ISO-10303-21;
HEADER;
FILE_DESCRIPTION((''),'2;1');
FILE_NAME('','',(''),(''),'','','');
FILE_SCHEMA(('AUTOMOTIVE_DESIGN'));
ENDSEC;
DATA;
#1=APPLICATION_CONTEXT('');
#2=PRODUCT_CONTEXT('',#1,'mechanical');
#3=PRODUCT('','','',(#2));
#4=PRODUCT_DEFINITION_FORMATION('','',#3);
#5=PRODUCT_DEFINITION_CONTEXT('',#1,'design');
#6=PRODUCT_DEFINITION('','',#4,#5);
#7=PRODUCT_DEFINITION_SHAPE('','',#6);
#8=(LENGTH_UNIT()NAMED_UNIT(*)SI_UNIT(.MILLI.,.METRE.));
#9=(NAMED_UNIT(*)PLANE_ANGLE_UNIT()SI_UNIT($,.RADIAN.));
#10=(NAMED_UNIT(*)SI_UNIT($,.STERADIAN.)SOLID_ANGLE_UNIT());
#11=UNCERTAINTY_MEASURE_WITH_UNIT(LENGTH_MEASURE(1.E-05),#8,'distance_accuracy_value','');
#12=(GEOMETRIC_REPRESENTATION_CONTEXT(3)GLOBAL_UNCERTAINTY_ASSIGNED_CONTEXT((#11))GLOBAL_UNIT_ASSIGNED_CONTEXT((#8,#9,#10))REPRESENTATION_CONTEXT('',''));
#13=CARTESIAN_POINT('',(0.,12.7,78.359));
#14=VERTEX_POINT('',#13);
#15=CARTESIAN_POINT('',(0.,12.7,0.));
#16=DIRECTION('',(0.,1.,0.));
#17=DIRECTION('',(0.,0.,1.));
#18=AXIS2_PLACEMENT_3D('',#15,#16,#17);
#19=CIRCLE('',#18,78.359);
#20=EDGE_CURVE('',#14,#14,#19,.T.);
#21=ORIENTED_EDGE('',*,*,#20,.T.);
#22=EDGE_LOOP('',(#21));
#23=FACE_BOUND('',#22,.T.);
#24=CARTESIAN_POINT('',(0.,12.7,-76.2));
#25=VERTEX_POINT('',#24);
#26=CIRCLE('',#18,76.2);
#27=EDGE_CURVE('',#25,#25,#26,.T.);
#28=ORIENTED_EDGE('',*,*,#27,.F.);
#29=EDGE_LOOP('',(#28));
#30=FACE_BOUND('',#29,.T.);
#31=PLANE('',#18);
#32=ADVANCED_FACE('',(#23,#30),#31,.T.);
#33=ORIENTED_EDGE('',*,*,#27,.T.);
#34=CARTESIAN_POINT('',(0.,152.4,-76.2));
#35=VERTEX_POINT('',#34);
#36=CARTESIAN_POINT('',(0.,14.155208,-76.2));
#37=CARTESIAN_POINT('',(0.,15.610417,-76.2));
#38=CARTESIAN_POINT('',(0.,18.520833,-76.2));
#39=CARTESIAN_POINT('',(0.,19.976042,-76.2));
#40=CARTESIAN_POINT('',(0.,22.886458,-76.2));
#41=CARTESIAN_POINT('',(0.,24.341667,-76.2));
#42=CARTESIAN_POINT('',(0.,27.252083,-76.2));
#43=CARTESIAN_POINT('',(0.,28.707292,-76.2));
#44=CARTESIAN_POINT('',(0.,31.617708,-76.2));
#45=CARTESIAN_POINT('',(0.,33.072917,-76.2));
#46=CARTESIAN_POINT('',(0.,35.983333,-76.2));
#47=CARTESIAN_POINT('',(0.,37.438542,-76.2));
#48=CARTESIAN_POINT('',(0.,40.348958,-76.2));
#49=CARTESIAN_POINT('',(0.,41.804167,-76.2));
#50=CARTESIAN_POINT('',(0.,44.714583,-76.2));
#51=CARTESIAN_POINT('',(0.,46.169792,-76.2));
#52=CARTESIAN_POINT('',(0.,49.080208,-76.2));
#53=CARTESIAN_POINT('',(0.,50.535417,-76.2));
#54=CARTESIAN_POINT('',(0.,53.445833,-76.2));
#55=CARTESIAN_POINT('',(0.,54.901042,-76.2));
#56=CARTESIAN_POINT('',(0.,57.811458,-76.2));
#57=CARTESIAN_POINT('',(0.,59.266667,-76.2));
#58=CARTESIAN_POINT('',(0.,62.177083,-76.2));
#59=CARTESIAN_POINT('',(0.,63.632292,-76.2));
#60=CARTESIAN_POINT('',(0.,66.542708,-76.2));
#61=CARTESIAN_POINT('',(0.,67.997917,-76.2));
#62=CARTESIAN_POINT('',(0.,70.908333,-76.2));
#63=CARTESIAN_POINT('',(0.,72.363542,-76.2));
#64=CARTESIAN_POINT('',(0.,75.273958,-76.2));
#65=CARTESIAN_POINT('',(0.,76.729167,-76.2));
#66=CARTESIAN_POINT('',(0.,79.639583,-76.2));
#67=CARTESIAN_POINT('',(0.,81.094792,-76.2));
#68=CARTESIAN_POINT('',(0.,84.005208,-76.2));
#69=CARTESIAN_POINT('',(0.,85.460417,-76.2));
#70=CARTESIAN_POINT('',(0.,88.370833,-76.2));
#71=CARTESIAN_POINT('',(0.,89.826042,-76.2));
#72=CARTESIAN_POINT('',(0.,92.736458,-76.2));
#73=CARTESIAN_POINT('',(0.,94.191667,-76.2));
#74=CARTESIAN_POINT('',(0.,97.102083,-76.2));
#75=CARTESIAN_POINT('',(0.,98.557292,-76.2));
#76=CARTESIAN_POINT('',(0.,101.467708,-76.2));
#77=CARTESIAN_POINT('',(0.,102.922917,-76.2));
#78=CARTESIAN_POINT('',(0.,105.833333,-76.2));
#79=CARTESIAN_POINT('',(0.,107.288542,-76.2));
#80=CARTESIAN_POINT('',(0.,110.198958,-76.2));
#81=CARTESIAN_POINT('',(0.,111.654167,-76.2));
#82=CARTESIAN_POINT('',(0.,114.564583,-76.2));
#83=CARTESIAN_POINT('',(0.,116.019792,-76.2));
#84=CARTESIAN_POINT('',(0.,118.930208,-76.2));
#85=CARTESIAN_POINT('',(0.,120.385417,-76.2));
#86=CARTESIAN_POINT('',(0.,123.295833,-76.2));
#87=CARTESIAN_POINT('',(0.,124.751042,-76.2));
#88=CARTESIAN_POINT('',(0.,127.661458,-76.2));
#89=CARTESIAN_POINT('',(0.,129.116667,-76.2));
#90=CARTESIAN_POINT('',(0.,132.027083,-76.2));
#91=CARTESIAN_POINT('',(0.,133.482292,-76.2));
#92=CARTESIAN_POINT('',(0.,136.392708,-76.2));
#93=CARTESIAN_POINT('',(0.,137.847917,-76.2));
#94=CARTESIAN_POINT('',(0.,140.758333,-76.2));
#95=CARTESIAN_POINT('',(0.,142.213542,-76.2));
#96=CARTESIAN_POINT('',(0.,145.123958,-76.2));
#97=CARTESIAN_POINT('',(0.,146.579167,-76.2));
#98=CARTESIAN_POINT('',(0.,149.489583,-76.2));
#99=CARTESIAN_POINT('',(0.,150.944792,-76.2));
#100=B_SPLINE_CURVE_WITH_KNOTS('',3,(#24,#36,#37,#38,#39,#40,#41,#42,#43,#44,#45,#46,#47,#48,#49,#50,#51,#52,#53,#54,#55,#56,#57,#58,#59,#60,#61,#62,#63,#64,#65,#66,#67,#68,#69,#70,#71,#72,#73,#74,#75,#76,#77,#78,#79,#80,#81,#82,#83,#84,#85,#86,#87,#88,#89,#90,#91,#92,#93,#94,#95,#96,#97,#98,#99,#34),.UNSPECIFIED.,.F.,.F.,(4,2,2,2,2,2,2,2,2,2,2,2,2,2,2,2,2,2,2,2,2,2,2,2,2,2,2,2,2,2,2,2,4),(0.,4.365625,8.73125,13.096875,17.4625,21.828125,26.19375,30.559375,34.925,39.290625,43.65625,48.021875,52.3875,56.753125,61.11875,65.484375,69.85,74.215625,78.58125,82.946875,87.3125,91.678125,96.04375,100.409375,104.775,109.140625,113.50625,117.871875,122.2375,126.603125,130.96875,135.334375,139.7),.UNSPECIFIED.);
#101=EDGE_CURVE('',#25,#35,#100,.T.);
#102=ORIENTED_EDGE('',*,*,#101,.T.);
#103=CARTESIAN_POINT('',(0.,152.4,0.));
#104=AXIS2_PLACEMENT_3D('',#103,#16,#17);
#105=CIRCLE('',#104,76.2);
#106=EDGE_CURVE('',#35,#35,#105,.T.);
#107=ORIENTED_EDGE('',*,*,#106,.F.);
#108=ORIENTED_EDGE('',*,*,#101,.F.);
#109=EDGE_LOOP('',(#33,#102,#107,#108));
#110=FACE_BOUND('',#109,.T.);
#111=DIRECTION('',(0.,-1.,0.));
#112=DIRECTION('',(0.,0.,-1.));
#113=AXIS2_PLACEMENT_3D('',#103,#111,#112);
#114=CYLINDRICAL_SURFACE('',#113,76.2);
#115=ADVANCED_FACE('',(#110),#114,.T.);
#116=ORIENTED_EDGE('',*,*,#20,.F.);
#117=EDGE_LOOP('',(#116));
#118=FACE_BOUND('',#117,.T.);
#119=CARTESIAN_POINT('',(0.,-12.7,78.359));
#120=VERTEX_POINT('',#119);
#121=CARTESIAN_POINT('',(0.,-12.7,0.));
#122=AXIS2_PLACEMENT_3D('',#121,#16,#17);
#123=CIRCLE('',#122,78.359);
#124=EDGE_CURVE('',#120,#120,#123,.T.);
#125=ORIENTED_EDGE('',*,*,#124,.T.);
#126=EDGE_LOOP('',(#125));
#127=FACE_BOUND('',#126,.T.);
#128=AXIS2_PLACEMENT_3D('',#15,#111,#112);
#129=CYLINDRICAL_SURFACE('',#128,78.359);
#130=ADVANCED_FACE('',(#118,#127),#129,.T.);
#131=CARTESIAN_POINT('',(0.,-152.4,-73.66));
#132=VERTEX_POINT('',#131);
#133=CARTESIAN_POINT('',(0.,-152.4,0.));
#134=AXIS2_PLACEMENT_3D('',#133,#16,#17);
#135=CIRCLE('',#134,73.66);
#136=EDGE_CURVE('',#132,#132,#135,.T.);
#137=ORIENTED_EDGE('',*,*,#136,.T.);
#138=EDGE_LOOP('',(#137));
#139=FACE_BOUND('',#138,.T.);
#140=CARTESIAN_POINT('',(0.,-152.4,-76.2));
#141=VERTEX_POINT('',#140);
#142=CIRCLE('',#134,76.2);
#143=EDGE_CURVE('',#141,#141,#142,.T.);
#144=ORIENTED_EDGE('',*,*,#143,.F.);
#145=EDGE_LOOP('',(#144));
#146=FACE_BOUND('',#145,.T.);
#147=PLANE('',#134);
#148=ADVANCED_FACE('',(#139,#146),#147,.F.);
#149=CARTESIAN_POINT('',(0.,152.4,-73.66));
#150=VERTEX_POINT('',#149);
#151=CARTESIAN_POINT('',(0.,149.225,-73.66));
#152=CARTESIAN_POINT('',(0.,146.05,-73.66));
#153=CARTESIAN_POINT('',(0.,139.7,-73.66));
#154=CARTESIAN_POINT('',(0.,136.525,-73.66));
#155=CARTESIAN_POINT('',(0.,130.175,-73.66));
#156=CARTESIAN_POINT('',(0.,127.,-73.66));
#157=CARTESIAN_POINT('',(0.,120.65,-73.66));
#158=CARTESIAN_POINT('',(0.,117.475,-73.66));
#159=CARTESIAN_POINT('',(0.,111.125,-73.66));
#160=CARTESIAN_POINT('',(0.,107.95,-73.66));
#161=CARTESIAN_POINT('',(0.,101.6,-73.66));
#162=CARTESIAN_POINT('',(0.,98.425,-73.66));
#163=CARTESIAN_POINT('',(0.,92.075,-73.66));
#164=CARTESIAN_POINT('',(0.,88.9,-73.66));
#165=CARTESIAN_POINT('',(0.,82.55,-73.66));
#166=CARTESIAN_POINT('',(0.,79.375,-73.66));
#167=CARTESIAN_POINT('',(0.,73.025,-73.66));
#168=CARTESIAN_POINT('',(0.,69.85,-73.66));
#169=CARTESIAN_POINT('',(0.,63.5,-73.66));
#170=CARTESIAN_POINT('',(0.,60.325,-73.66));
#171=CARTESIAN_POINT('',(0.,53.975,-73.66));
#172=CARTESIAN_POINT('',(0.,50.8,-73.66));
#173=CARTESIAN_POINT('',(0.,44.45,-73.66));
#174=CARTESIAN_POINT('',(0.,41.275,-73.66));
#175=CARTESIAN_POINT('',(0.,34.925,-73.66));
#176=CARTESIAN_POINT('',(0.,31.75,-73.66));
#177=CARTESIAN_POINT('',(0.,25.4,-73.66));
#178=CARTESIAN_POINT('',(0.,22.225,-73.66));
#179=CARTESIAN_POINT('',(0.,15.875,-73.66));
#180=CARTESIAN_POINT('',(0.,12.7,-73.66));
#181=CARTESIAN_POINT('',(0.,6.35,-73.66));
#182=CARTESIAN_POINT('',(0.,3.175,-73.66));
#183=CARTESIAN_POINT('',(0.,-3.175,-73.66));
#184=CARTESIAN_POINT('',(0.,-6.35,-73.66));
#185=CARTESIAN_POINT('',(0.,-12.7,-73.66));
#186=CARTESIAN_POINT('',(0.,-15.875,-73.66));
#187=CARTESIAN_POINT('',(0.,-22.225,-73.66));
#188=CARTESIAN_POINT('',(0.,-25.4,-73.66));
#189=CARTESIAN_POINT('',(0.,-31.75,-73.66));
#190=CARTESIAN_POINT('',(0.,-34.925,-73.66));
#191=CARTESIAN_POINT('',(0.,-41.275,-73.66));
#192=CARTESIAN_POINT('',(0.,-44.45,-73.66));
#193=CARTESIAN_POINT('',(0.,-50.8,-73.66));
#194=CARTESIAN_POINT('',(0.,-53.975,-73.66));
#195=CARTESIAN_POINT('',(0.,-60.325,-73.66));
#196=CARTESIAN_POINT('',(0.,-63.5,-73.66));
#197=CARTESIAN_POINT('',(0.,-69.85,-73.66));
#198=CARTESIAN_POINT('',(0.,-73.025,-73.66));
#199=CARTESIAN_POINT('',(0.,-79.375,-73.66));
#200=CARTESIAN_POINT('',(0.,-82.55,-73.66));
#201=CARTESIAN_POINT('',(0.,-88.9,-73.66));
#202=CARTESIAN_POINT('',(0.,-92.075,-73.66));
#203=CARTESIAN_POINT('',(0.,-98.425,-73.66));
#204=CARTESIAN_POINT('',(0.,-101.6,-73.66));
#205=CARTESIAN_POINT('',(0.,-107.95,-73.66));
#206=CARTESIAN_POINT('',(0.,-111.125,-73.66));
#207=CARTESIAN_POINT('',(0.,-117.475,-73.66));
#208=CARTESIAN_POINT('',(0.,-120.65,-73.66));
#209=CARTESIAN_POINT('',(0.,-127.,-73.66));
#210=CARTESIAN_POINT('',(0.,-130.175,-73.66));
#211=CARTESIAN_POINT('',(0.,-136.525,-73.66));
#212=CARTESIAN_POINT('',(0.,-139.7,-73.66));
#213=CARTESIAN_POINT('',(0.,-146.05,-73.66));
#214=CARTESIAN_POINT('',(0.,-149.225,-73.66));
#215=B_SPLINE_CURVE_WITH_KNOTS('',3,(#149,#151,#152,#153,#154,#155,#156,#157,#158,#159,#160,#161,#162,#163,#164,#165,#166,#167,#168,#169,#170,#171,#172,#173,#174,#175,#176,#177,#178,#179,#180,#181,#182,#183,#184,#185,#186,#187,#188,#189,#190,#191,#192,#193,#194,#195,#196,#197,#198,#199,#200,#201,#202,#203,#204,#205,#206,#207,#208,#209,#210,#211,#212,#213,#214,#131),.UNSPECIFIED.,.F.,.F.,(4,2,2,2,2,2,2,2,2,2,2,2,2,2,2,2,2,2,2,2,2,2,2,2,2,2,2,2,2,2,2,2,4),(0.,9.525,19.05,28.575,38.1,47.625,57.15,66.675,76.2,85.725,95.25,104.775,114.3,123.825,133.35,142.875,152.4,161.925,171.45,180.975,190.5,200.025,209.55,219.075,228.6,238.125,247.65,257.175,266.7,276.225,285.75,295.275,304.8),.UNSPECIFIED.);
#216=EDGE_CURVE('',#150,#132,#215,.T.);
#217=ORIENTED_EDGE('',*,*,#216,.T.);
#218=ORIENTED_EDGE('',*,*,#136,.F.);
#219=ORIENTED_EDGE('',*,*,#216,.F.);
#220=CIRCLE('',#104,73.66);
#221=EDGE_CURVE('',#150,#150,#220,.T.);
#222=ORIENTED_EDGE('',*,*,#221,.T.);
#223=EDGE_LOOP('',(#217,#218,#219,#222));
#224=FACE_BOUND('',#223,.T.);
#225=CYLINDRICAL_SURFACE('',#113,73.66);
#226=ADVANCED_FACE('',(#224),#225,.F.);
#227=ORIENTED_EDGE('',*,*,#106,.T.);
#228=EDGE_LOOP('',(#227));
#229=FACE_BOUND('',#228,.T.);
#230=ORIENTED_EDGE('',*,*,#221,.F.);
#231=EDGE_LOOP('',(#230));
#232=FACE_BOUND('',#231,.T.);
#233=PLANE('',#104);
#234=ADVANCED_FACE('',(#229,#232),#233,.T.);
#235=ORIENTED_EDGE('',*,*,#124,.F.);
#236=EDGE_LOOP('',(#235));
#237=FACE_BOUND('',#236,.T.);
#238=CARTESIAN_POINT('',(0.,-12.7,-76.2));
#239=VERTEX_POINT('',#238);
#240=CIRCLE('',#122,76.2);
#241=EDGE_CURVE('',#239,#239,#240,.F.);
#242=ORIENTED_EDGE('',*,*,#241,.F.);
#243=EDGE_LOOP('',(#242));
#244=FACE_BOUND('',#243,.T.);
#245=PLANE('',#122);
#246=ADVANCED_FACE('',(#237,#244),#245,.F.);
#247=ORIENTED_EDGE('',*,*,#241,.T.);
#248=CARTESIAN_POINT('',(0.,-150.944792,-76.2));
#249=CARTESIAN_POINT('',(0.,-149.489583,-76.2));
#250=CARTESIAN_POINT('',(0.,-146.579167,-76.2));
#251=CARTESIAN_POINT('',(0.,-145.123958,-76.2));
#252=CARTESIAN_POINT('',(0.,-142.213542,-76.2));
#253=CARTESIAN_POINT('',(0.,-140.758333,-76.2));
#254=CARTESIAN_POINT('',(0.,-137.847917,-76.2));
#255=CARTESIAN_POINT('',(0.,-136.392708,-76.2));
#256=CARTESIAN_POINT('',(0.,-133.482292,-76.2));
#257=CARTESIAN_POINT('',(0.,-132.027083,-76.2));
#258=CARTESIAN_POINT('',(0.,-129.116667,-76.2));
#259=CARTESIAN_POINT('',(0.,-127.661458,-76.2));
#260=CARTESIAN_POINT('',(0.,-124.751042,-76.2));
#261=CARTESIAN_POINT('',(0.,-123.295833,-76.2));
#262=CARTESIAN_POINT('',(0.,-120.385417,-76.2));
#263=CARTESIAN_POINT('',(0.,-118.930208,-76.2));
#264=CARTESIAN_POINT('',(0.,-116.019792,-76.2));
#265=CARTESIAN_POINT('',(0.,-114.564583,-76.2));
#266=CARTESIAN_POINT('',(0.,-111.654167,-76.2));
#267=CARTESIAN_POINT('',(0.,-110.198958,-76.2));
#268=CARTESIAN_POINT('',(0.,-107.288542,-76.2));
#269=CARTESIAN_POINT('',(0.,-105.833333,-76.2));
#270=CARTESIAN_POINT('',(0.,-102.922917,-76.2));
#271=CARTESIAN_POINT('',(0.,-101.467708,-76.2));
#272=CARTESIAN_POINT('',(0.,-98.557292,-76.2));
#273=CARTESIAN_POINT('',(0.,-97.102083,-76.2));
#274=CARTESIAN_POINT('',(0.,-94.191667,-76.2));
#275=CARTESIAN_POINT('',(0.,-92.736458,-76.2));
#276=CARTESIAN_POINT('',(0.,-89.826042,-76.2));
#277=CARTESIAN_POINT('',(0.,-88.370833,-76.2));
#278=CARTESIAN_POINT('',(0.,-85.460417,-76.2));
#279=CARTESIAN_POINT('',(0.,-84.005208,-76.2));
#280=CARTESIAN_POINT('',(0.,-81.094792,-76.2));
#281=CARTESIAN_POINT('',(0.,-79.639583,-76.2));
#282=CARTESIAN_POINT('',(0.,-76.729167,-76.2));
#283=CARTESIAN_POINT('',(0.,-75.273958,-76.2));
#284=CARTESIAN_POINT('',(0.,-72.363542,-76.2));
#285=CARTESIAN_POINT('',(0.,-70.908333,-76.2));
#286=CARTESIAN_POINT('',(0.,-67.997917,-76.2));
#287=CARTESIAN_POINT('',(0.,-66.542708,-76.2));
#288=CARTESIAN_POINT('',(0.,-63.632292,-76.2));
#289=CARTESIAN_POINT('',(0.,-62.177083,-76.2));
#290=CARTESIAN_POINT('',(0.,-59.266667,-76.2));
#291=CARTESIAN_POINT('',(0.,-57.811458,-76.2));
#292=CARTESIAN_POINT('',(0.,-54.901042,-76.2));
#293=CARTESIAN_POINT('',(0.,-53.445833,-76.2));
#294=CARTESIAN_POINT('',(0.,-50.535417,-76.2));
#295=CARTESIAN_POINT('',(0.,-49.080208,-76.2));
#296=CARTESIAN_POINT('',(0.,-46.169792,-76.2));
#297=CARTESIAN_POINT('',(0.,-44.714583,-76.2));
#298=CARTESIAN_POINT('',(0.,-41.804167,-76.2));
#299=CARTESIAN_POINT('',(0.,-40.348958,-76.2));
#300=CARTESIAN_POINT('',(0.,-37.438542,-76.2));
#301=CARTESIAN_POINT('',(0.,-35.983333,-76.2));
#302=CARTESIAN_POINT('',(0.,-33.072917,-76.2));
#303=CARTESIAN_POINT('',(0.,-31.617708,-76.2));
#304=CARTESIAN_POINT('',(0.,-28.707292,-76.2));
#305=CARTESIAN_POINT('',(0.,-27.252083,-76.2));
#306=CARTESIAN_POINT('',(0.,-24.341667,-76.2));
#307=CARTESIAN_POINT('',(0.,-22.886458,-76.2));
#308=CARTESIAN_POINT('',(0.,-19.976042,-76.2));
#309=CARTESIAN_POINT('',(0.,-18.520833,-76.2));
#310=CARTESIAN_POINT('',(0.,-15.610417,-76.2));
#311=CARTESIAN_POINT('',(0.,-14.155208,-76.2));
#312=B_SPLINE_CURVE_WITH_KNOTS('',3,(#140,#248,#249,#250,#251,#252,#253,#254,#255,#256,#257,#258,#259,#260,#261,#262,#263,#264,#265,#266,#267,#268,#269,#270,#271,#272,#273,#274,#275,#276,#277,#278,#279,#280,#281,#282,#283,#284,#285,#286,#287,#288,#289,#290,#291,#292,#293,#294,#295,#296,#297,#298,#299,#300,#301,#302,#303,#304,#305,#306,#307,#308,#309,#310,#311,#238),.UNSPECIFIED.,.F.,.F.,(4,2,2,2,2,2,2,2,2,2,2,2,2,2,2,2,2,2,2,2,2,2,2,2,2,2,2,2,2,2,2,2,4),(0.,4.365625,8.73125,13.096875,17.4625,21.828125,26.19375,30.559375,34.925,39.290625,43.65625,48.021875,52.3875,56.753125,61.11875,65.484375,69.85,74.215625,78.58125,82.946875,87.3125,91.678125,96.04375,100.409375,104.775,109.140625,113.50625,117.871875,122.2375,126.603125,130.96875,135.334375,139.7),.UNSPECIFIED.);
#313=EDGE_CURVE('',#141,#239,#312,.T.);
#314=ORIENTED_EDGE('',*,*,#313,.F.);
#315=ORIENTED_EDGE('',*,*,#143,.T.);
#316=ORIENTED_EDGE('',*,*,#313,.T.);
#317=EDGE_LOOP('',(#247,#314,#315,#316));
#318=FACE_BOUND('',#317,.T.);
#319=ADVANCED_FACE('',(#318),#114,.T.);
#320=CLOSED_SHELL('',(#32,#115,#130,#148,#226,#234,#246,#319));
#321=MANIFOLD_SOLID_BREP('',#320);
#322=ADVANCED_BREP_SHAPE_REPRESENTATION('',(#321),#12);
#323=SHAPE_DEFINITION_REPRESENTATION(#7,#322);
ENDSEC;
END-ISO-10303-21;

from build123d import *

# Parameters (mm, degrees)
SKETCH1_R           = 78.359
SKETCH1_R_2         = 76.2
BOSS_EXTRUDE1_DEPTH = 12.7
SKETCH2_R           = 76.2
SKETCH2_R_2         = 73.66
BOSS_EXTRUDE2_DEPTH = 152.4


with BuildPart() as part:
    # Sketch1 → Boss-Extrude1 (new, symmetric)
    with BuildSketch(Plane(origin=(0, 0, 0), x_dir=(1, 0, 0), z_dir=(0, 1, 0))):
        with Locations(Location((0, 0, 0), (0, 0, 270))):
            Circle(SKETCH1_R)
        with Locations(Location((0, 0, 0), (0, 0, 270))):
            Circle(SKETCH1_R_2, mode=Mode.SUBTRACT)
    extrude(amount=BOSS_EXTRUDE1_DEPTH, both=True)

    # Sketch2 → Boss-Extrude2 (add, symmetric)
    with BuildSketch(Plane(origin=(0, 0, 0), x_dir=(1, 0, 0), z_dir=(0, 1, 0))):
        with Locations(Location((0, 0, 0), (0, 0, 90))):
            Circle(SKETCH2_R)
        with Locations(Location((0, 0, 0), (0, 0, 90))):
            Circle(SKETCH2_R_2, mode=Mode.SUBTRACT)
    extrude(amount=BOSS_EXTRUDE2_DEPTH, both=True)


solid = part.part
